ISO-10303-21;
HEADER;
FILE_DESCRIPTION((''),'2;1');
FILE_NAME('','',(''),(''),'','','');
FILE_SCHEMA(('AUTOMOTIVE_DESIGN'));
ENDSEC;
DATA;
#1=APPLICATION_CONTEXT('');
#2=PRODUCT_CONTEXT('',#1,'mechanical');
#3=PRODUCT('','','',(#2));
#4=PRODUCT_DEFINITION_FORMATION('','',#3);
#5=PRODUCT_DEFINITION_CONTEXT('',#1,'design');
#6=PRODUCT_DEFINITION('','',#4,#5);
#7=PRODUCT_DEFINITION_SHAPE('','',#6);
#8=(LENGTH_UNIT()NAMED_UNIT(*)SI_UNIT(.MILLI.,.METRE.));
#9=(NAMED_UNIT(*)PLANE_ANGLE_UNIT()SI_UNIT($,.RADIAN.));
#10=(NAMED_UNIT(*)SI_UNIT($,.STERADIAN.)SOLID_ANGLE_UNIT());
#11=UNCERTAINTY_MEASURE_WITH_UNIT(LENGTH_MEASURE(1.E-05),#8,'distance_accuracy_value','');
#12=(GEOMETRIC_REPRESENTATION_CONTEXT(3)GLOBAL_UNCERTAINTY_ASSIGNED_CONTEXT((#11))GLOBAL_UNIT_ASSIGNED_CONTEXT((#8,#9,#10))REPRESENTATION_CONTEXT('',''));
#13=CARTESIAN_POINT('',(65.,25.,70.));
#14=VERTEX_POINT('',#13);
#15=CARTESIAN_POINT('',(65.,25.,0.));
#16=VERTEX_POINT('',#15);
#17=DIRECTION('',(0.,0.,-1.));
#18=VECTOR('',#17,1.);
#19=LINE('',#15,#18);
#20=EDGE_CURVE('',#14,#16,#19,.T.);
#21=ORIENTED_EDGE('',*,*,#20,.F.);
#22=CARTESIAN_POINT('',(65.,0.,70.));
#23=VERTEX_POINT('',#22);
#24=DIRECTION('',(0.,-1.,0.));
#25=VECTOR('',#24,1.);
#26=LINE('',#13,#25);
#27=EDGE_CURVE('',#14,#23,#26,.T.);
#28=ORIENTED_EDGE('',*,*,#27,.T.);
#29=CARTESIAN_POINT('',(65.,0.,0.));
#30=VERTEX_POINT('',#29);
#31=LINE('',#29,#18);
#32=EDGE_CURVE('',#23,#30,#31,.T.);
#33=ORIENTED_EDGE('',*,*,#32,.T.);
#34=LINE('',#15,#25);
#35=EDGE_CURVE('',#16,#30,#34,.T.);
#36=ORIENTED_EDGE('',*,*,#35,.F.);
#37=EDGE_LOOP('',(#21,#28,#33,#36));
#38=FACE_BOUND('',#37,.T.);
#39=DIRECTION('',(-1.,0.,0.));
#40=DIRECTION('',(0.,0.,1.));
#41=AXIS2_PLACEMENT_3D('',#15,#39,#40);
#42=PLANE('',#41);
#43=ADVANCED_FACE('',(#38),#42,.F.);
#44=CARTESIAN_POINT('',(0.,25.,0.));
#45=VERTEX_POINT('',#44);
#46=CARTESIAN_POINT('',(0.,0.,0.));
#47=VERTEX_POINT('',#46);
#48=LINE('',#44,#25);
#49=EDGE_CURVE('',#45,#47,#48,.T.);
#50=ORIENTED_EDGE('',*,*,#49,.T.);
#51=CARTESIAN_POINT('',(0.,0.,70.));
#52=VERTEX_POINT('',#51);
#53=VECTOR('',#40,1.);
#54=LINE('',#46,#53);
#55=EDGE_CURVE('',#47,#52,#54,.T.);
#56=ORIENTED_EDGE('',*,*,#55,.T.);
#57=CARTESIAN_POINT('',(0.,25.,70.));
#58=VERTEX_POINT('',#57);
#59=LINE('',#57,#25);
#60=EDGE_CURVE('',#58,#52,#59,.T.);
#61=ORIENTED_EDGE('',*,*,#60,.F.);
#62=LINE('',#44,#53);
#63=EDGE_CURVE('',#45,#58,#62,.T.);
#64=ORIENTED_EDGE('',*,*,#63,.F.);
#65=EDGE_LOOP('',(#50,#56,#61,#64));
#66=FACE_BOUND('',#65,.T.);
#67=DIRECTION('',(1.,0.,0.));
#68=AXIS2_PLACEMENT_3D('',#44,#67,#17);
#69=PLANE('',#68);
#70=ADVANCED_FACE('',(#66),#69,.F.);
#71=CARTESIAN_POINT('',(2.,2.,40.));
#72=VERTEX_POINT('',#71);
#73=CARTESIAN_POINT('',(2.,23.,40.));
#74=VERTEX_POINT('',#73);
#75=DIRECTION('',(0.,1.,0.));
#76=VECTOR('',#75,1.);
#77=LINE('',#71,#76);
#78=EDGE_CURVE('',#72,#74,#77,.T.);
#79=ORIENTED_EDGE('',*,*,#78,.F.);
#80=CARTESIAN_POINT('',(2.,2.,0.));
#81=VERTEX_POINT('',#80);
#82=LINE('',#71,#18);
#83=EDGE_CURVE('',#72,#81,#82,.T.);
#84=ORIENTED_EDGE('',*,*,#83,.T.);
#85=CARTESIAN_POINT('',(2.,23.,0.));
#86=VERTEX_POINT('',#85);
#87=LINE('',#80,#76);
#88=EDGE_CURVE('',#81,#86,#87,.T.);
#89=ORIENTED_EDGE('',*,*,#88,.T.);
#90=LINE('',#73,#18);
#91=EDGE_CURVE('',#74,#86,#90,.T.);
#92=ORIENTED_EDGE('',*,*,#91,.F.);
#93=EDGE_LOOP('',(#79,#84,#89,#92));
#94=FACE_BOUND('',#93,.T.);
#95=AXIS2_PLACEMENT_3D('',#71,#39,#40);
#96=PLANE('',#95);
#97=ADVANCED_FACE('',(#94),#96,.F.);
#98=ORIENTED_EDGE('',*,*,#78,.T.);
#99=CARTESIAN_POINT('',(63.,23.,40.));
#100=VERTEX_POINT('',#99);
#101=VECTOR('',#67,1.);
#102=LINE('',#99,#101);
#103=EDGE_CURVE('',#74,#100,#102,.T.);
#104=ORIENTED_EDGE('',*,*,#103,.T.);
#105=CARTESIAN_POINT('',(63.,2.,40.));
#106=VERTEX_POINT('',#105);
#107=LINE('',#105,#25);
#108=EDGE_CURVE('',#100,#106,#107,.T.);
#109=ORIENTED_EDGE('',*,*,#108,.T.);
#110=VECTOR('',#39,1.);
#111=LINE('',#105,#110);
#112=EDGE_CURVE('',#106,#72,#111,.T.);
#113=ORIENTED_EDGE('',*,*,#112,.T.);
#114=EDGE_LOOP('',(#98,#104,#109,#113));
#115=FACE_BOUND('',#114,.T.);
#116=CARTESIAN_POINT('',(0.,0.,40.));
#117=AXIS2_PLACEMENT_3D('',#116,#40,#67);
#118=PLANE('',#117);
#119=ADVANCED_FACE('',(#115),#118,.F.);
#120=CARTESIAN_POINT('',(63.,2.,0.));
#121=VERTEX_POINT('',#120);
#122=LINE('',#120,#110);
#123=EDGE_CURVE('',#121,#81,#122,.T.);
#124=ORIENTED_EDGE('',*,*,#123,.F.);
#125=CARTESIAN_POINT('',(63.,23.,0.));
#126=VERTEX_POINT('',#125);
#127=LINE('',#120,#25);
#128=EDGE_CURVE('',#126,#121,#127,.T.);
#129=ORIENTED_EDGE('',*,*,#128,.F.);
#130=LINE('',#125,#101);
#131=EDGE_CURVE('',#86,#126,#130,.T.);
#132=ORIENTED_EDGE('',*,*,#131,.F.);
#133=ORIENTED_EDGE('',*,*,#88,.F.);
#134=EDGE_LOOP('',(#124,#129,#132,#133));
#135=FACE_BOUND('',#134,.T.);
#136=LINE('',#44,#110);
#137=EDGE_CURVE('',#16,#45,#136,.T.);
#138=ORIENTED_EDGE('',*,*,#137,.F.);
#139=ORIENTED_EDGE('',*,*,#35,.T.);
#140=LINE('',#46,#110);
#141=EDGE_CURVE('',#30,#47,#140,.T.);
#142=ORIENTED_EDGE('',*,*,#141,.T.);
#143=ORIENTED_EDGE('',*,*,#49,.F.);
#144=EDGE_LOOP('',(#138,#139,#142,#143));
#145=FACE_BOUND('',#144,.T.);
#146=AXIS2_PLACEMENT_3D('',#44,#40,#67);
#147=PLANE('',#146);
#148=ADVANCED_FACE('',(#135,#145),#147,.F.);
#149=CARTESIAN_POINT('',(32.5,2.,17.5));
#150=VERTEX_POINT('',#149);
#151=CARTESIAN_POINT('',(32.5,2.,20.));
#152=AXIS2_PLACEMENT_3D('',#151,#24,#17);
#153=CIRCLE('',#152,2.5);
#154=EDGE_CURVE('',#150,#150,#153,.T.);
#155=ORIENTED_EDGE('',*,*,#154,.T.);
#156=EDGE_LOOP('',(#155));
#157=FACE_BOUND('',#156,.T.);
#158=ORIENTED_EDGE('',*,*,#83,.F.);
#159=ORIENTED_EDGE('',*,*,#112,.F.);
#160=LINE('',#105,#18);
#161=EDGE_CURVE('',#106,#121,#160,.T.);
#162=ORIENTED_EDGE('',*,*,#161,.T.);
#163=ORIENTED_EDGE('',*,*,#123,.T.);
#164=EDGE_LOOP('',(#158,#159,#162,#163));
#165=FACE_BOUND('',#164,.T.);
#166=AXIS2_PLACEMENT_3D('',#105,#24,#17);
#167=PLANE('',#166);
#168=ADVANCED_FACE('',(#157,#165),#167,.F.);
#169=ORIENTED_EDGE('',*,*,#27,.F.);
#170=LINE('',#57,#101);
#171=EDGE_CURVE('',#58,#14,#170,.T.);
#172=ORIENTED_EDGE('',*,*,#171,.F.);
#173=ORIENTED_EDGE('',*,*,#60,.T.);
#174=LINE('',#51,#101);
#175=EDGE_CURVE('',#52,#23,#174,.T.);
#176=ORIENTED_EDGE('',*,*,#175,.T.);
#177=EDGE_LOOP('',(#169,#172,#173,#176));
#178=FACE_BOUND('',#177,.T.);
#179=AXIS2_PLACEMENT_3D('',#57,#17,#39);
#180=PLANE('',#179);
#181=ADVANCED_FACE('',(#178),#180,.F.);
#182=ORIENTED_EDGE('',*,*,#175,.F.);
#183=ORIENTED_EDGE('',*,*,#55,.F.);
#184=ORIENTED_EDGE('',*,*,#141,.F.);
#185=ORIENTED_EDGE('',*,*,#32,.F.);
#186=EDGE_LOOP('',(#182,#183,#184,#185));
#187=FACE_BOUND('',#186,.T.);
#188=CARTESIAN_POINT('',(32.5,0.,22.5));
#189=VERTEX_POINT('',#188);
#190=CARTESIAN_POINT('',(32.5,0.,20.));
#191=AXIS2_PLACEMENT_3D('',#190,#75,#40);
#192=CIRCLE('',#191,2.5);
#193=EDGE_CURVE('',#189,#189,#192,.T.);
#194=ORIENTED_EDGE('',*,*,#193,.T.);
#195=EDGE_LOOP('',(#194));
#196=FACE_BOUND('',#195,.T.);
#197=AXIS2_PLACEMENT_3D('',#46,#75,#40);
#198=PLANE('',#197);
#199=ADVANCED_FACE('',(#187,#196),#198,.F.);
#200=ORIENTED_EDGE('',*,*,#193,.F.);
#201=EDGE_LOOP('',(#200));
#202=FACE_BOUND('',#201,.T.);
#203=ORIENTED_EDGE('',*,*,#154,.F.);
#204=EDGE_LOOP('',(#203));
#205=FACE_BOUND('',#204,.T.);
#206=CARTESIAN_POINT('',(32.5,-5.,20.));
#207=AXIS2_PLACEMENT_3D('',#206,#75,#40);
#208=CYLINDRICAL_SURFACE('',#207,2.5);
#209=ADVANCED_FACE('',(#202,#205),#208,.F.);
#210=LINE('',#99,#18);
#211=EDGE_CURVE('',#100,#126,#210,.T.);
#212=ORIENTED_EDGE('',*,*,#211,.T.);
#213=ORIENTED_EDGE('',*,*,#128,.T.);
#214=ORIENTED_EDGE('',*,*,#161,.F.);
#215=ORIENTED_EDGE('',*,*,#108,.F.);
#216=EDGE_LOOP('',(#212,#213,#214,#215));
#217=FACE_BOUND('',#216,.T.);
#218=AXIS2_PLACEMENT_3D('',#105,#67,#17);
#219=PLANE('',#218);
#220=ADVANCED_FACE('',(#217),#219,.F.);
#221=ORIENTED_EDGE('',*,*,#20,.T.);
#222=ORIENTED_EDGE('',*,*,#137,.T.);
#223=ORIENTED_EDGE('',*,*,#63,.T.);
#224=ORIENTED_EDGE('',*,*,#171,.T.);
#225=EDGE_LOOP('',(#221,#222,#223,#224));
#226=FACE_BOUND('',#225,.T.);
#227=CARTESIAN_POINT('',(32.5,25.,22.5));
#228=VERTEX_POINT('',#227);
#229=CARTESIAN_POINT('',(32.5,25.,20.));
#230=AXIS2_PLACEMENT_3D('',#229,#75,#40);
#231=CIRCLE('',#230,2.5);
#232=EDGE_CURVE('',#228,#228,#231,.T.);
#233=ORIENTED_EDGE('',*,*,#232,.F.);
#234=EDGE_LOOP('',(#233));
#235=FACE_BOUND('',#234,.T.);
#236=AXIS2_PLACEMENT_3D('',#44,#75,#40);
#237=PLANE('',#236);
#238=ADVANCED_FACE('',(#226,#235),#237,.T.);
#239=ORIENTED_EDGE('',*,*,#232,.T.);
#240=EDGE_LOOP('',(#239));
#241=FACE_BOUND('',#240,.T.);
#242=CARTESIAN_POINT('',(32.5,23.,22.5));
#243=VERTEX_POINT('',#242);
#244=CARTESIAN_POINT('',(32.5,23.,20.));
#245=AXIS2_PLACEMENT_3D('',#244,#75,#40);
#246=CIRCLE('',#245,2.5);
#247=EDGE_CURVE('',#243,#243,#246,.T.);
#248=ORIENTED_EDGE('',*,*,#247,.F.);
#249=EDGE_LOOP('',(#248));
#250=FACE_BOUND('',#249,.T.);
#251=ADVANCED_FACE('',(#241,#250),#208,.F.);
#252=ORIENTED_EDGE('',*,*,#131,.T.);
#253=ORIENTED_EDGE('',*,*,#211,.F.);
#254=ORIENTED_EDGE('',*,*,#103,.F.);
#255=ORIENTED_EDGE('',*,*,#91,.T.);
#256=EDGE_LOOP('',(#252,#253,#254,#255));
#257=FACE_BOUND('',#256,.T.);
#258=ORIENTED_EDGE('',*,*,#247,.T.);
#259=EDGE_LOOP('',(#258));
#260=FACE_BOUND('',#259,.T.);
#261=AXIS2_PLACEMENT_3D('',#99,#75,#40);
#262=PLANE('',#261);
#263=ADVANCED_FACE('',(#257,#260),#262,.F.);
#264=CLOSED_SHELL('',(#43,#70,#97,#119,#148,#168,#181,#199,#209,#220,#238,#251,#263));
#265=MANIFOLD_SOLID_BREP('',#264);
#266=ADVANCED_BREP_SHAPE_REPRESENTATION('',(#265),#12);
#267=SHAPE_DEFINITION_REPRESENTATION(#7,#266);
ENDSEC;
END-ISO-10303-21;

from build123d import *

# Parameters (mm, degrees)
SKETCH1_W           = 65
SKETCH1_H           = 70
BOSS_EXTRUDE1_DEPTH = 25
SKETCH8_W           = 61
SKETCH8_H           = 21
CUT_EXTRUDE1_DEPTH  = 40
SKETCH9_R           = 2.5
CUT_EXTRUDE2_DEPTH  = 30


with BuildPart() as part:
    # Sketch1 → Boss-Extrude1 (new body)
    with BuildSketch(Plane(origin=(0, 0, 0), x_dir=(1, 0, 0), z_dir=(0, 1, 0))):
        with Locations((32.5, -35)):
            Rectangle(SKETCH1_W, SKETCH1_H)
    extrude(amount=BOSS_EXTRUDE1_DEPTH)

    # Sketch8 → Cut-Extrude1 (cut)
    with BuildSketch(Plane(origin=(0, 0, 0), x_dir=(-1, 0, 0), z_dir=(0, 0, -1))):
        with Locations((-32.5, 12.5)):
            Rectangle(SKETCH8_W, SKETCH8_H)
    extrude(amount=-CUT_EXTRUDE1_DEPTH, mode=Mode.SUBTRACT)

    # Sketch9 → Cut-Extrude2 (cut)
    with BuildSketch(Plane(origin=(0, 25, 0), x_dir=(1, 0, 0), z_dir=(0, 1, 0))):
        with Locations(Location((32.5, -20, 0), (0, 0, 270))):
            Circle(SKETCH9_R)
    extrude(amount=-CUT_EXTRUDE2_DEPTH, mode=Mode.SUBTRACT)


solid = part.part
